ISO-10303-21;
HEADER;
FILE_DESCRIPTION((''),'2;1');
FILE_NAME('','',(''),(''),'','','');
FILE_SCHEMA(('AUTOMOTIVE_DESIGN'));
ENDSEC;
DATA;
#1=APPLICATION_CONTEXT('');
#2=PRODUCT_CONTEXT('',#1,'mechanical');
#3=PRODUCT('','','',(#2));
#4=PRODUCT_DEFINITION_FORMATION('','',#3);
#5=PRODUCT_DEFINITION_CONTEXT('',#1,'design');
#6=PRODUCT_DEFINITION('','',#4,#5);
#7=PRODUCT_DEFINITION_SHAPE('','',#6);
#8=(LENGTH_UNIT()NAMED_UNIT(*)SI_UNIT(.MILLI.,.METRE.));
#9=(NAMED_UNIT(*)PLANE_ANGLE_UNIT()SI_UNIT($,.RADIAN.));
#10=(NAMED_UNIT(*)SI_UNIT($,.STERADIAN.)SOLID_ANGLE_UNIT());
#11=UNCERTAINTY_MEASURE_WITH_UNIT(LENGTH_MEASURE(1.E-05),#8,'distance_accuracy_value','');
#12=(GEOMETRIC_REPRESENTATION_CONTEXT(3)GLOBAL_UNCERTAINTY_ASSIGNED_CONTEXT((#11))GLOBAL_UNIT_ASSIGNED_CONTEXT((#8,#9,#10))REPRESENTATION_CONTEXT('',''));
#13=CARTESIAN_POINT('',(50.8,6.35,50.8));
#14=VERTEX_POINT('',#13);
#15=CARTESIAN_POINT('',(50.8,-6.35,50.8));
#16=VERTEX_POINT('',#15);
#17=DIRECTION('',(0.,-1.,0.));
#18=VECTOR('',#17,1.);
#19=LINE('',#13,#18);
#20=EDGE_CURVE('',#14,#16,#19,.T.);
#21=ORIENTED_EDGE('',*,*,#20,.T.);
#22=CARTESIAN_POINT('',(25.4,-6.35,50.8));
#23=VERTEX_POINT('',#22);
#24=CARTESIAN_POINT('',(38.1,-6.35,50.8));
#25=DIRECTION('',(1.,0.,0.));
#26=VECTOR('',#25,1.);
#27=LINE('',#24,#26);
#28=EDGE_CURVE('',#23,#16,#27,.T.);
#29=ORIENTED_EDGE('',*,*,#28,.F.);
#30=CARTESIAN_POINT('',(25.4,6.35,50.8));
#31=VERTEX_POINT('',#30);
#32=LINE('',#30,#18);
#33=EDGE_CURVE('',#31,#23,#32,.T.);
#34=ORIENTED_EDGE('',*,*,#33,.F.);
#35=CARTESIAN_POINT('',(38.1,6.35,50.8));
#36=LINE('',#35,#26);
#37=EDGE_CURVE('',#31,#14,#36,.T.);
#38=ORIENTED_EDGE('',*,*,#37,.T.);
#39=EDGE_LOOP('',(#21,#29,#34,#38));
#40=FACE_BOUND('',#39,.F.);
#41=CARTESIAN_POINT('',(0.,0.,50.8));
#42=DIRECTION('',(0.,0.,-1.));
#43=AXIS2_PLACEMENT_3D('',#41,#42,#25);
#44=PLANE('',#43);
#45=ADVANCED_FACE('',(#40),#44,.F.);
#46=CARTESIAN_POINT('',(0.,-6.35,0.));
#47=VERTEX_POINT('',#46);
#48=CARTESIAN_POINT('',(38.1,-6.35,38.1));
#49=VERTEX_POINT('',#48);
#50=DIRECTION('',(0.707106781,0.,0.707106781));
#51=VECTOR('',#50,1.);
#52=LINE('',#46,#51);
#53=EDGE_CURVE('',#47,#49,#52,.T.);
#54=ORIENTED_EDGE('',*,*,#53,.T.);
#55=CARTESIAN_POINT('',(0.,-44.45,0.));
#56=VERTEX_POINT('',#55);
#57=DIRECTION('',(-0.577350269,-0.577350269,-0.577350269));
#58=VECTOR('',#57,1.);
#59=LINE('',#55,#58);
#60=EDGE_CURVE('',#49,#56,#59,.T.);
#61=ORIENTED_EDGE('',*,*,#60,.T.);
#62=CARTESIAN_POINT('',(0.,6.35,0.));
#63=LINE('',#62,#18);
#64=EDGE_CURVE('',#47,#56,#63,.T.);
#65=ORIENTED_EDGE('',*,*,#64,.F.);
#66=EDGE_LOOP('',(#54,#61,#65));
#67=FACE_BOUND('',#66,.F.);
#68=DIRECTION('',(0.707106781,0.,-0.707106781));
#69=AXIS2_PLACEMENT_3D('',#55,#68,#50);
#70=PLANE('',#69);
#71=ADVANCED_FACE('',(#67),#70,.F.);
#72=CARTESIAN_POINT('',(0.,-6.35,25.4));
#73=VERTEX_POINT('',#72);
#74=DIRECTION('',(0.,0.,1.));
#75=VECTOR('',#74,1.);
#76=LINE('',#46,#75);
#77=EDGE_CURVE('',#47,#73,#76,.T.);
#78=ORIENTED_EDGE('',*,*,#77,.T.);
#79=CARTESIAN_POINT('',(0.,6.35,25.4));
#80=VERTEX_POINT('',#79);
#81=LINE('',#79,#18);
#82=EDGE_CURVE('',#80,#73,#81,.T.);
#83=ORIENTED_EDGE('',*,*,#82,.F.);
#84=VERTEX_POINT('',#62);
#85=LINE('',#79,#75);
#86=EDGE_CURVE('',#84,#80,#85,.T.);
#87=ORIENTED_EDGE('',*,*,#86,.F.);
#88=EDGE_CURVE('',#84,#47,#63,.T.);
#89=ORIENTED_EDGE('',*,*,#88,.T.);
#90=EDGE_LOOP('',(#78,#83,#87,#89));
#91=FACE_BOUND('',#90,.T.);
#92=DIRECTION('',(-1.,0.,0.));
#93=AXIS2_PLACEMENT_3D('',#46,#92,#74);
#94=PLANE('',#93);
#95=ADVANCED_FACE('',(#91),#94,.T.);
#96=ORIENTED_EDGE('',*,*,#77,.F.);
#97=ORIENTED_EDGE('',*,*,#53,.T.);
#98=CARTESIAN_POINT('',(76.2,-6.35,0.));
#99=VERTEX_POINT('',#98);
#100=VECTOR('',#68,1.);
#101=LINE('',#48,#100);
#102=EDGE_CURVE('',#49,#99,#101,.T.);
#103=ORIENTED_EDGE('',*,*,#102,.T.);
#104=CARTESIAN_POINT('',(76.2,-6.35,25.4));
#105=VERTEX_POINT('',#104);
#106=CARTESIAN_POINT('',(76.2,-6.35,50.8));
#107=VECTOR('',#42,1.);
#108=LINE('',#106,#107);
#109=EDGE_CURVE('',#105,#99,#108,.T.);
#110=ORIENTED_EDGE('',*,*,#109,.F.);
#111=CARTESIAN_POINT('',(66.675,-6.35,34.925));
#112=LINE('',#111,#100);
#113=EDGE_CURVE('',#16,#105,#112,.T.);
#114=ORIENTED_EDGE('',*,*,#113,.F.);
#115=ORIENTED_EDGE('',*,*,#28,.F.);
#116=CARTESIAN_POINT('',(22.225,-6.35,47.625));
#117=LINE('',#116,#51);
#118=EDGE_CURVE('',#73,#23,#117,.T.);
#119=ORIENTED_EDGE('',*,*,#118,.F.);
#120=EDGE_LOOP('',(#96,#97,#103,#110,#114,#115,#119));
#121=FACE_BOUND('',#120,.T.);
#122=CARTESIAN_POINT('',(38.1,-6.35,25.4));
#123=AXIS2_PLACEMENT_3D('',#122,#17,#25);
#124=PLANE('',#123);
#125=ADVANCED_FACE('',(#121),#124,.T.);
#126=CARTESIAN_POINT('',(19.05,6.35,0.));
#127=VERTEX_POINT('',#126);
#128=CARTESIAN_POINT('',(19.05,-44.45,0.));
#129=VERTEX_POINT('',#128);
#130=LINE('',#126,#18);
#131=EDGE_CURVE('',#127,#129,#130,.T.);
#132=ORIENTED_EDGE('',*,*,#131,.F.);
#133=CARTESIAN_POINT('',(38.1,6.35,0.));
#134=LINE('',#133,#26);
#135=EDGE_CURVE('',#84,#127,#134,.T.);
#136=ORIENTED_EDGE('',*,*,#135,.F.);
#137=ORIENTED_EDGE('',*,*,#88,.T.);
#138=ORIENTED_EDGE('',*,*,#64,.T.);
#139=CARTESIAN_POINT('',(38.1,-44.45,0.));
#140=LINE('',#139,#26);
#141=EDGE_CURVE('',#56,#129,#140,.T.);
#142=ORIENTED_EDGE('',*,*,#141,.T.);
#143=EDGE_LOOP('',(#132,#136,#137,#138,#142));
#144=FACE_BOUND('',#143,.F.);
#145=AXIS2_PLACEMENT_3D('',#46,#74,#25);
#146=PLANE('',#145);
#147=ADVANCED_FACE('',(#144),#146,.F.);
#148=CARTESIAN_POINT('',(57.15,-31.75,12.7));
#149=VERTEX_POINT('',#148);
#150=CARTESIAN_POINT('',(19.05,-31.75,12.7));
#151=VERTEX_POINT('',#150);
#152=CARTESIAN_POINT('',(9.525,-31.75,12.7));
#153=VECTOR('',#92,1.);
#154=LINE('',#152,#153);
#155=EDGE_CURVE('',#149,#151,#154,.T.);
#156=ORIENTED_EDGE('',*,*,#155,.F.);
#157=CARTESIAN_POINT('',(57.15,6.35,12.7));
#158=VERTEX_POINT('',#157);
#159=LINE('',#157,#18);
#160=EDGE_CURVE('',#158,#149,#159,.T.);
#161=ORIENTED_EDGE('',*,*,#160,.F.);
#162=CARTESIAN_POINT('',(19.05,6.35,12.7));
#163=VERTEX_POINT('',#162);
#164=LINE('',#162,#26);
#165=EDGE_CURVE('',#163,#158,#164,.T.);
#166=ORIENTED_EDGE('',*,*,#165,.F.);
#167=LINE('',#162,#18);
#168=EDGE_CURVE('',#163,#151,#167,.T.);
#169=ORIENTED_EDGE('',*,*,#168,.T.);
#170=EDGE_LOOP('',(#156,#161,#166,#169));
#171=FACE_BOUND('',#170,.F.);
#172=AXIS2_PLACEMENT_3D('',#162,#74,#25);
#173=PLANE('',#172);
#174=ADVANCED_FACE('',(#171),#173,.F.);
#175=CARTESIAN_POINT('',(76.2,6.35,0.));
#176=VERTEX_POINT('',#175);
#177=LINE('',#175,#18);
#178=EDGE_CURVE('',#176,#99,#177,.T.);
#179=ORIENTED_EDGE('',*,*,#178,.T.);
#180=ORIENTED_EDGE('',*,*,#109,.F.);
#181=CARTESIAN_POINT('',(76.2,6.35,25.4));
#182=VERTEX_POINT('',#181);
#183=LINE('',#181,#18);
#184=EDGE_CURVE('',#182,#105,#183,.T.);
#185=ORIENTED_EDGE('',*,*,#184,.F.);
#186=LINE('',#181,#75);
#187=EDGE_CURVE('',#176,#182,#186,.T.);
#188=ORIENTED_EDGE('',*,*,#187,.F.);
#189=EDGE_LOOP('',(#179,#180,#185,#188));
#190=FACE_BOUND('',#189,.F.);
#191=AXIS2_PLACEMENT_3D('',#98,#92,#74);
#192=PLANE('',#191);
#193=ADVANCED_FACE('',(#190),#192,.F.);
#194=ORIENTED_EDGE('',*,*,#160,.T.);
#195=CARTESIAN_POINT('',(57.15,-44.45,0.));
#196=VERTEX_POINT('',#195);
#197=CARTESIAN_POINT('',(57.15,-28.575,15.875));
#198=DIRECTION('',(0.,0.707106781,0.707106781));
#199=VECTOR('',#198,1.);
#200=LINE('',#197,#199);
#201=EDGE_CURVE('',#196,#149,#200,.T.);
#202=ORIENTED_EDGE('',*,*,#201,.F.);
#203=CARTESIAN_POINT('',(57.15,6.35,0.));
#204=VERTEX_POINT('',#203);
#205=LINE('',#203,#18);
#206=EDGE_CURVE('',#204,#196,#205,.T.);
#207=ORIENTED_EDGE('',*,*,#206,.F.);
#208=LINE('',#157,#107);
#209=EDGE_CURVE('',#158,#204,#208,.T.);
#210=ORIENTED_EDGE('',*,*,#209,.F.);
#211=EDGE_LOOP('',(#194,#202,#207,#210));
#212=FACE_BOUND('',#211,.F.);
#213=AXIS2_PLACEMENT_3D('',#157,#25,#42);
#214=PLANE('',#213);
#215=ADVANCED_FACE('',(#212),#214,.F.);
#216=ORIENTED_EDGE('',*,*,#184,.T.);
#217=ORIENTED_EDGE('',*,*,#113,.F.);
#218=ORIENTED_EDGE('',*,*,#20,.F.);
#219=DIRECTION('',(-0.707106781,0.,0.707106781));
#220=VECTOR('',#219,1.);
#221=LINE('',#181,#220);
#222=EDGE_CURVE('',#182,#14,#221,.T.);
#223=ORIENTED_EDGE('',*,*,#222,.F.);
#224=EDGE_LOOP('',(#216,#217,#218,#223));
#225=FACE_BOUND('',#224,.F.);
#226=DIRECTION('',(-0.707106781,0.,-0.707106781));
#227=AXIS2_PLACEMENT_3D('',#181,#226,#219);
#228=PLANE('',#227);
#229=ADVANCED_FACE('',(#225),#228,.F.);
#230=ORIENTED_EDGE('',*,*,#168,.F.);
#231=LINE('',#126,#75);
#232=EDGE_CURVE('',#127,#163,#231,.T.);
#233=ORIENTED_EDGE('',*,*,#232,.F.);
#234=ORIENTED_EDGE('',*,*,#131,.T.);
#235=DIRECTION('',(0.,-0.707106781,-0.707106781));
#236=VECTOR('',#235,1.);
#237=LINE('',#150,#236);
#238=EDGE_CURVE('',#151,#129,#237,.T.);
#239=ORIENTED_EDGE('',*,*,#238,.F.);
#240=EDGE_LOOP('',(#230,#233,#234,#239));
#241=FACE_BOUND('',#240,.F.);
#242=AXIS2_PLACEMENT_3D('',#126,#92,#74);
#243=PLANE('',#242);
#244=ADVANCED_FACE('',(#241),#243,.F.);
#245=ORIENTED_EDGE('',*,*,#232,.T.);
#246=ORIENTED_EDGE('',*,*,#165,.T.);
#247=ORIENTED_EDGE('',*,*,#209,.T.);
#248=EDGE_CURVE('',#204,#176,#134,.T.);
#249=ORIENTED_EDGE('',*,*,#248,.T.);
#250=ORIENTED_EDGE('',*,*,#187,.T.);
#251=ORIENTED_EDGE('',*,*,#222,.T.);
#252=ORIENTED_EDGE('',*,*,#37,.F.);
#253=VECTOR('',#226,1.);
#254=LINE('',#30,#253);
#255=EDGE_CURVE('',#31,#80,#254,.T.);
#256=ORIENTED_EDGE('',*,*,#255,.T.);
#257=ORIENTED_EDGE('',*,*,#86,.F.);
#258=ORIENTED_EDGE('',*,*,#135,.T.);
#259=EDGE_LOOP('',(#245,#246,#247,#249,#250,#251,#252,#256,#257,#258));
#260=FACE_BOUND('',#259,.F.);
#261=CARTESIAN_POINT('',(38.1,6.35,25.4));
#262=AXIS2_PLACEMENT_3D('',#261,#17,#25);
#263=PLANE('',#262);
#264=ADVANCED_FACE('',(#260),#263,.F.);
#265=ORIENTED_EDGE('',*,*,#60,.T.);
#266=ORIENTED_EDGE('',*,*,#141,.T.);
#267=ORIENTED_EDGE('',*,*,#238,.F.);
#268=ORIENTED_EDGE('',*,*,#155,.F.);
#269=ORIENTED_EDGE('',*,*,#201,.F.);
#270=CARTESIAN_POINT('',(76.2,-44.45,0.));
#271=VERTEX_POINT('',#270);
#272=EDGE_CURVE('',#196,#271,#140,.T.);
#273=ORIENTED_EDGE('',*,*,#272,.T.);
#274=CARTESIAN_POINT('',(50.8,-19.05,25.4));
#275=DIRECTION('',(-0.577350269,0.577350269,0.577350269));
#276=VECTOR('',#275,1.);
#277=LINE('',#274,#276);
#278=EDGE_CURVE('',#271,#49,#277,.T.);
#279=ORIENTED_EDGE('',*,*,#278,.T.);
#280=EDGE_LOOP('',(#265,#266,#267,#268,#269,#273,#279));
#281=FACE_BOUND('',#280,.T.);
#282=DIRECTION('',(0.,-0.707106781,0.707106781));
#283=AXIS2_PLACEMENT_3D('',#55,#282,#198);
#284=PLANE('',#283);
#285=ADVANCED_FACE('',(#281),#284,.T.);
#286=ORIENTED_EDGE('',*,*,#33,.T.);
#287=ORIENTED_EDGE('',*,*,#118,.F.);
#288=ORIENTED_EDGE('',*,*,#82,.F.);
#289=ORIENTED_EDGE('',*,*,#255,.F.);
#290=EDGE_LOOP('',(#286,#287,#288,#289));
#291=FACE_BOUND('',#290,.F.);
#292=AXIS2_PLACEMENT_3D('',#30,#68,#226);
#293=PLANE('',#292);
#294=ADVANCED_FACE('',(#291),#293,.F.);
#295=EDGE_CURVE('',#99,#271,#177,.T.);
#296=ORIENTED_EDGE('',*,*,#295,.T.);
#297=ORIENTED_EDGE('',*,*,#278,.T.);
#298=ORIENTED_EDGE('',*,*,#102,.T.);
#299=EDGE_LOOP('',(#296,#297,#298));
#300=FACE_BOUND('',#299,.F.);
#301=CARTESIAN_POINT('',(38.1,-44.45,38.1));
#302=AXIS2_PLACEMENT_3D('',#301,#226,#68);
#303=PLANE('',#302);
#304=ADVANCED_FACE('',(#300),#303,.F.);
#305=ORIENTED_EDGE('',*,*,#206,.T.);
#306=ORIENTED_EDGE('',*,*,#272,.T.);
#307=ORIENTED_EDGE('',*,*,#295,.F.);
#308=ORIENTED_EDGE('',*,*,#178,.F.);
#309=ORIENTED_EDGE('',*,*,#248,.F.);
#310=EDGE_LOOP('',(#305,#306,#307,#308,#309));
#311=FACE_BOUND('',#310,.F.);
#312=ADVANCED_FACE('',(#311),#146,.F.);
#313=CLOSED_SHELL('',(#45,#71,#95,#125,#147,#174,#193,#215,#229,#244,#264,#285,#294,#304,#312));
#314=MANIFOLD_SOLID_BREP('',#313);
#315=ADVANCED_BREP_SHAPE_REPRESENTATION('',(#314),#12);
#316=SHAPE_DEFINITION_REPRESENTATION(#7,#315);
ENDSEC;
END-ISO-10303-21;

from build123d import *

# Parameters (mm, degrees)
F0_W     = 76.2
F0_H     = 50.8
F1_DEPTH = 6.35
F2_W     = 76.2
F2_H     = 38.1
F3_DEPTH = 38.1
F5_DEPTH = 38.1
F7_DEPTH = 76.201
F9_DEPTH = 50.801


with BuildPart() as f1:
    # F0 (on Front) → F1 (new body, symmetric)
    with BuildSketch(Plane.XZ):
        with Locations((38.1, 25.4)):
            Rectangle(F0_W, F0_H)
    extrude(amount=F1_DEPTH, both=True)

    # F2 (on face) → F3 (join)
    with BuildSketch(Plane.XZ.offset(6.35)):
        with Locations((38.1, 19.05)):
            Rectangle(F2_W, F2_H)
    extrude(amount=F3_DEPTH)

    # F4 (on face) → F5 (cut)
    with BuildSketch(Plane.XZ.offset(44.45)):
        Polygon((0, 38.1), (0, 0), (38.1, 38.1), align=None)
        Polygon((76.2, 38.1), (38.1, 38.1), (76.2, 0), align=None)
    extrude(amount=-F5_DEPTH, mode=Mode.SUBTRACT)

    # F6 (on Right) → F7 (cut, through all)
    with BuildSketch(Plane.YZ):
        Polygon((-44.45, 0), (-6.35, 38.1), (-44.45, 38.1), align=None)
    extrude(amount=F7_DEPTH, mode=Mode.SUBTRACT)

    # F8 (on face) → F9 (cut, through all)
    with BuildSketch(Plane(origin=(0, 6.35, 0), x_dir=(-1, 0, 0), z_dir=(0, 1, 0))):
        Polygon((0, 50.8), (-25.4, 50.8), (0, 25.4), align=None)
        Polygon((-76.2, 50.8), (-76.2, 25.4), (-50.8, 50.8), align=None)
        Polygon((-57.15, 12.7), (-57.15, 0), (-38.1, 0), (-19.05, 0), (-19.05, 12.7), (-38.1, 12.7), align=None)
    extrude(amount=-F9_DEPTH, mode=Mode.SUBTRACT)


solid = f1.part
